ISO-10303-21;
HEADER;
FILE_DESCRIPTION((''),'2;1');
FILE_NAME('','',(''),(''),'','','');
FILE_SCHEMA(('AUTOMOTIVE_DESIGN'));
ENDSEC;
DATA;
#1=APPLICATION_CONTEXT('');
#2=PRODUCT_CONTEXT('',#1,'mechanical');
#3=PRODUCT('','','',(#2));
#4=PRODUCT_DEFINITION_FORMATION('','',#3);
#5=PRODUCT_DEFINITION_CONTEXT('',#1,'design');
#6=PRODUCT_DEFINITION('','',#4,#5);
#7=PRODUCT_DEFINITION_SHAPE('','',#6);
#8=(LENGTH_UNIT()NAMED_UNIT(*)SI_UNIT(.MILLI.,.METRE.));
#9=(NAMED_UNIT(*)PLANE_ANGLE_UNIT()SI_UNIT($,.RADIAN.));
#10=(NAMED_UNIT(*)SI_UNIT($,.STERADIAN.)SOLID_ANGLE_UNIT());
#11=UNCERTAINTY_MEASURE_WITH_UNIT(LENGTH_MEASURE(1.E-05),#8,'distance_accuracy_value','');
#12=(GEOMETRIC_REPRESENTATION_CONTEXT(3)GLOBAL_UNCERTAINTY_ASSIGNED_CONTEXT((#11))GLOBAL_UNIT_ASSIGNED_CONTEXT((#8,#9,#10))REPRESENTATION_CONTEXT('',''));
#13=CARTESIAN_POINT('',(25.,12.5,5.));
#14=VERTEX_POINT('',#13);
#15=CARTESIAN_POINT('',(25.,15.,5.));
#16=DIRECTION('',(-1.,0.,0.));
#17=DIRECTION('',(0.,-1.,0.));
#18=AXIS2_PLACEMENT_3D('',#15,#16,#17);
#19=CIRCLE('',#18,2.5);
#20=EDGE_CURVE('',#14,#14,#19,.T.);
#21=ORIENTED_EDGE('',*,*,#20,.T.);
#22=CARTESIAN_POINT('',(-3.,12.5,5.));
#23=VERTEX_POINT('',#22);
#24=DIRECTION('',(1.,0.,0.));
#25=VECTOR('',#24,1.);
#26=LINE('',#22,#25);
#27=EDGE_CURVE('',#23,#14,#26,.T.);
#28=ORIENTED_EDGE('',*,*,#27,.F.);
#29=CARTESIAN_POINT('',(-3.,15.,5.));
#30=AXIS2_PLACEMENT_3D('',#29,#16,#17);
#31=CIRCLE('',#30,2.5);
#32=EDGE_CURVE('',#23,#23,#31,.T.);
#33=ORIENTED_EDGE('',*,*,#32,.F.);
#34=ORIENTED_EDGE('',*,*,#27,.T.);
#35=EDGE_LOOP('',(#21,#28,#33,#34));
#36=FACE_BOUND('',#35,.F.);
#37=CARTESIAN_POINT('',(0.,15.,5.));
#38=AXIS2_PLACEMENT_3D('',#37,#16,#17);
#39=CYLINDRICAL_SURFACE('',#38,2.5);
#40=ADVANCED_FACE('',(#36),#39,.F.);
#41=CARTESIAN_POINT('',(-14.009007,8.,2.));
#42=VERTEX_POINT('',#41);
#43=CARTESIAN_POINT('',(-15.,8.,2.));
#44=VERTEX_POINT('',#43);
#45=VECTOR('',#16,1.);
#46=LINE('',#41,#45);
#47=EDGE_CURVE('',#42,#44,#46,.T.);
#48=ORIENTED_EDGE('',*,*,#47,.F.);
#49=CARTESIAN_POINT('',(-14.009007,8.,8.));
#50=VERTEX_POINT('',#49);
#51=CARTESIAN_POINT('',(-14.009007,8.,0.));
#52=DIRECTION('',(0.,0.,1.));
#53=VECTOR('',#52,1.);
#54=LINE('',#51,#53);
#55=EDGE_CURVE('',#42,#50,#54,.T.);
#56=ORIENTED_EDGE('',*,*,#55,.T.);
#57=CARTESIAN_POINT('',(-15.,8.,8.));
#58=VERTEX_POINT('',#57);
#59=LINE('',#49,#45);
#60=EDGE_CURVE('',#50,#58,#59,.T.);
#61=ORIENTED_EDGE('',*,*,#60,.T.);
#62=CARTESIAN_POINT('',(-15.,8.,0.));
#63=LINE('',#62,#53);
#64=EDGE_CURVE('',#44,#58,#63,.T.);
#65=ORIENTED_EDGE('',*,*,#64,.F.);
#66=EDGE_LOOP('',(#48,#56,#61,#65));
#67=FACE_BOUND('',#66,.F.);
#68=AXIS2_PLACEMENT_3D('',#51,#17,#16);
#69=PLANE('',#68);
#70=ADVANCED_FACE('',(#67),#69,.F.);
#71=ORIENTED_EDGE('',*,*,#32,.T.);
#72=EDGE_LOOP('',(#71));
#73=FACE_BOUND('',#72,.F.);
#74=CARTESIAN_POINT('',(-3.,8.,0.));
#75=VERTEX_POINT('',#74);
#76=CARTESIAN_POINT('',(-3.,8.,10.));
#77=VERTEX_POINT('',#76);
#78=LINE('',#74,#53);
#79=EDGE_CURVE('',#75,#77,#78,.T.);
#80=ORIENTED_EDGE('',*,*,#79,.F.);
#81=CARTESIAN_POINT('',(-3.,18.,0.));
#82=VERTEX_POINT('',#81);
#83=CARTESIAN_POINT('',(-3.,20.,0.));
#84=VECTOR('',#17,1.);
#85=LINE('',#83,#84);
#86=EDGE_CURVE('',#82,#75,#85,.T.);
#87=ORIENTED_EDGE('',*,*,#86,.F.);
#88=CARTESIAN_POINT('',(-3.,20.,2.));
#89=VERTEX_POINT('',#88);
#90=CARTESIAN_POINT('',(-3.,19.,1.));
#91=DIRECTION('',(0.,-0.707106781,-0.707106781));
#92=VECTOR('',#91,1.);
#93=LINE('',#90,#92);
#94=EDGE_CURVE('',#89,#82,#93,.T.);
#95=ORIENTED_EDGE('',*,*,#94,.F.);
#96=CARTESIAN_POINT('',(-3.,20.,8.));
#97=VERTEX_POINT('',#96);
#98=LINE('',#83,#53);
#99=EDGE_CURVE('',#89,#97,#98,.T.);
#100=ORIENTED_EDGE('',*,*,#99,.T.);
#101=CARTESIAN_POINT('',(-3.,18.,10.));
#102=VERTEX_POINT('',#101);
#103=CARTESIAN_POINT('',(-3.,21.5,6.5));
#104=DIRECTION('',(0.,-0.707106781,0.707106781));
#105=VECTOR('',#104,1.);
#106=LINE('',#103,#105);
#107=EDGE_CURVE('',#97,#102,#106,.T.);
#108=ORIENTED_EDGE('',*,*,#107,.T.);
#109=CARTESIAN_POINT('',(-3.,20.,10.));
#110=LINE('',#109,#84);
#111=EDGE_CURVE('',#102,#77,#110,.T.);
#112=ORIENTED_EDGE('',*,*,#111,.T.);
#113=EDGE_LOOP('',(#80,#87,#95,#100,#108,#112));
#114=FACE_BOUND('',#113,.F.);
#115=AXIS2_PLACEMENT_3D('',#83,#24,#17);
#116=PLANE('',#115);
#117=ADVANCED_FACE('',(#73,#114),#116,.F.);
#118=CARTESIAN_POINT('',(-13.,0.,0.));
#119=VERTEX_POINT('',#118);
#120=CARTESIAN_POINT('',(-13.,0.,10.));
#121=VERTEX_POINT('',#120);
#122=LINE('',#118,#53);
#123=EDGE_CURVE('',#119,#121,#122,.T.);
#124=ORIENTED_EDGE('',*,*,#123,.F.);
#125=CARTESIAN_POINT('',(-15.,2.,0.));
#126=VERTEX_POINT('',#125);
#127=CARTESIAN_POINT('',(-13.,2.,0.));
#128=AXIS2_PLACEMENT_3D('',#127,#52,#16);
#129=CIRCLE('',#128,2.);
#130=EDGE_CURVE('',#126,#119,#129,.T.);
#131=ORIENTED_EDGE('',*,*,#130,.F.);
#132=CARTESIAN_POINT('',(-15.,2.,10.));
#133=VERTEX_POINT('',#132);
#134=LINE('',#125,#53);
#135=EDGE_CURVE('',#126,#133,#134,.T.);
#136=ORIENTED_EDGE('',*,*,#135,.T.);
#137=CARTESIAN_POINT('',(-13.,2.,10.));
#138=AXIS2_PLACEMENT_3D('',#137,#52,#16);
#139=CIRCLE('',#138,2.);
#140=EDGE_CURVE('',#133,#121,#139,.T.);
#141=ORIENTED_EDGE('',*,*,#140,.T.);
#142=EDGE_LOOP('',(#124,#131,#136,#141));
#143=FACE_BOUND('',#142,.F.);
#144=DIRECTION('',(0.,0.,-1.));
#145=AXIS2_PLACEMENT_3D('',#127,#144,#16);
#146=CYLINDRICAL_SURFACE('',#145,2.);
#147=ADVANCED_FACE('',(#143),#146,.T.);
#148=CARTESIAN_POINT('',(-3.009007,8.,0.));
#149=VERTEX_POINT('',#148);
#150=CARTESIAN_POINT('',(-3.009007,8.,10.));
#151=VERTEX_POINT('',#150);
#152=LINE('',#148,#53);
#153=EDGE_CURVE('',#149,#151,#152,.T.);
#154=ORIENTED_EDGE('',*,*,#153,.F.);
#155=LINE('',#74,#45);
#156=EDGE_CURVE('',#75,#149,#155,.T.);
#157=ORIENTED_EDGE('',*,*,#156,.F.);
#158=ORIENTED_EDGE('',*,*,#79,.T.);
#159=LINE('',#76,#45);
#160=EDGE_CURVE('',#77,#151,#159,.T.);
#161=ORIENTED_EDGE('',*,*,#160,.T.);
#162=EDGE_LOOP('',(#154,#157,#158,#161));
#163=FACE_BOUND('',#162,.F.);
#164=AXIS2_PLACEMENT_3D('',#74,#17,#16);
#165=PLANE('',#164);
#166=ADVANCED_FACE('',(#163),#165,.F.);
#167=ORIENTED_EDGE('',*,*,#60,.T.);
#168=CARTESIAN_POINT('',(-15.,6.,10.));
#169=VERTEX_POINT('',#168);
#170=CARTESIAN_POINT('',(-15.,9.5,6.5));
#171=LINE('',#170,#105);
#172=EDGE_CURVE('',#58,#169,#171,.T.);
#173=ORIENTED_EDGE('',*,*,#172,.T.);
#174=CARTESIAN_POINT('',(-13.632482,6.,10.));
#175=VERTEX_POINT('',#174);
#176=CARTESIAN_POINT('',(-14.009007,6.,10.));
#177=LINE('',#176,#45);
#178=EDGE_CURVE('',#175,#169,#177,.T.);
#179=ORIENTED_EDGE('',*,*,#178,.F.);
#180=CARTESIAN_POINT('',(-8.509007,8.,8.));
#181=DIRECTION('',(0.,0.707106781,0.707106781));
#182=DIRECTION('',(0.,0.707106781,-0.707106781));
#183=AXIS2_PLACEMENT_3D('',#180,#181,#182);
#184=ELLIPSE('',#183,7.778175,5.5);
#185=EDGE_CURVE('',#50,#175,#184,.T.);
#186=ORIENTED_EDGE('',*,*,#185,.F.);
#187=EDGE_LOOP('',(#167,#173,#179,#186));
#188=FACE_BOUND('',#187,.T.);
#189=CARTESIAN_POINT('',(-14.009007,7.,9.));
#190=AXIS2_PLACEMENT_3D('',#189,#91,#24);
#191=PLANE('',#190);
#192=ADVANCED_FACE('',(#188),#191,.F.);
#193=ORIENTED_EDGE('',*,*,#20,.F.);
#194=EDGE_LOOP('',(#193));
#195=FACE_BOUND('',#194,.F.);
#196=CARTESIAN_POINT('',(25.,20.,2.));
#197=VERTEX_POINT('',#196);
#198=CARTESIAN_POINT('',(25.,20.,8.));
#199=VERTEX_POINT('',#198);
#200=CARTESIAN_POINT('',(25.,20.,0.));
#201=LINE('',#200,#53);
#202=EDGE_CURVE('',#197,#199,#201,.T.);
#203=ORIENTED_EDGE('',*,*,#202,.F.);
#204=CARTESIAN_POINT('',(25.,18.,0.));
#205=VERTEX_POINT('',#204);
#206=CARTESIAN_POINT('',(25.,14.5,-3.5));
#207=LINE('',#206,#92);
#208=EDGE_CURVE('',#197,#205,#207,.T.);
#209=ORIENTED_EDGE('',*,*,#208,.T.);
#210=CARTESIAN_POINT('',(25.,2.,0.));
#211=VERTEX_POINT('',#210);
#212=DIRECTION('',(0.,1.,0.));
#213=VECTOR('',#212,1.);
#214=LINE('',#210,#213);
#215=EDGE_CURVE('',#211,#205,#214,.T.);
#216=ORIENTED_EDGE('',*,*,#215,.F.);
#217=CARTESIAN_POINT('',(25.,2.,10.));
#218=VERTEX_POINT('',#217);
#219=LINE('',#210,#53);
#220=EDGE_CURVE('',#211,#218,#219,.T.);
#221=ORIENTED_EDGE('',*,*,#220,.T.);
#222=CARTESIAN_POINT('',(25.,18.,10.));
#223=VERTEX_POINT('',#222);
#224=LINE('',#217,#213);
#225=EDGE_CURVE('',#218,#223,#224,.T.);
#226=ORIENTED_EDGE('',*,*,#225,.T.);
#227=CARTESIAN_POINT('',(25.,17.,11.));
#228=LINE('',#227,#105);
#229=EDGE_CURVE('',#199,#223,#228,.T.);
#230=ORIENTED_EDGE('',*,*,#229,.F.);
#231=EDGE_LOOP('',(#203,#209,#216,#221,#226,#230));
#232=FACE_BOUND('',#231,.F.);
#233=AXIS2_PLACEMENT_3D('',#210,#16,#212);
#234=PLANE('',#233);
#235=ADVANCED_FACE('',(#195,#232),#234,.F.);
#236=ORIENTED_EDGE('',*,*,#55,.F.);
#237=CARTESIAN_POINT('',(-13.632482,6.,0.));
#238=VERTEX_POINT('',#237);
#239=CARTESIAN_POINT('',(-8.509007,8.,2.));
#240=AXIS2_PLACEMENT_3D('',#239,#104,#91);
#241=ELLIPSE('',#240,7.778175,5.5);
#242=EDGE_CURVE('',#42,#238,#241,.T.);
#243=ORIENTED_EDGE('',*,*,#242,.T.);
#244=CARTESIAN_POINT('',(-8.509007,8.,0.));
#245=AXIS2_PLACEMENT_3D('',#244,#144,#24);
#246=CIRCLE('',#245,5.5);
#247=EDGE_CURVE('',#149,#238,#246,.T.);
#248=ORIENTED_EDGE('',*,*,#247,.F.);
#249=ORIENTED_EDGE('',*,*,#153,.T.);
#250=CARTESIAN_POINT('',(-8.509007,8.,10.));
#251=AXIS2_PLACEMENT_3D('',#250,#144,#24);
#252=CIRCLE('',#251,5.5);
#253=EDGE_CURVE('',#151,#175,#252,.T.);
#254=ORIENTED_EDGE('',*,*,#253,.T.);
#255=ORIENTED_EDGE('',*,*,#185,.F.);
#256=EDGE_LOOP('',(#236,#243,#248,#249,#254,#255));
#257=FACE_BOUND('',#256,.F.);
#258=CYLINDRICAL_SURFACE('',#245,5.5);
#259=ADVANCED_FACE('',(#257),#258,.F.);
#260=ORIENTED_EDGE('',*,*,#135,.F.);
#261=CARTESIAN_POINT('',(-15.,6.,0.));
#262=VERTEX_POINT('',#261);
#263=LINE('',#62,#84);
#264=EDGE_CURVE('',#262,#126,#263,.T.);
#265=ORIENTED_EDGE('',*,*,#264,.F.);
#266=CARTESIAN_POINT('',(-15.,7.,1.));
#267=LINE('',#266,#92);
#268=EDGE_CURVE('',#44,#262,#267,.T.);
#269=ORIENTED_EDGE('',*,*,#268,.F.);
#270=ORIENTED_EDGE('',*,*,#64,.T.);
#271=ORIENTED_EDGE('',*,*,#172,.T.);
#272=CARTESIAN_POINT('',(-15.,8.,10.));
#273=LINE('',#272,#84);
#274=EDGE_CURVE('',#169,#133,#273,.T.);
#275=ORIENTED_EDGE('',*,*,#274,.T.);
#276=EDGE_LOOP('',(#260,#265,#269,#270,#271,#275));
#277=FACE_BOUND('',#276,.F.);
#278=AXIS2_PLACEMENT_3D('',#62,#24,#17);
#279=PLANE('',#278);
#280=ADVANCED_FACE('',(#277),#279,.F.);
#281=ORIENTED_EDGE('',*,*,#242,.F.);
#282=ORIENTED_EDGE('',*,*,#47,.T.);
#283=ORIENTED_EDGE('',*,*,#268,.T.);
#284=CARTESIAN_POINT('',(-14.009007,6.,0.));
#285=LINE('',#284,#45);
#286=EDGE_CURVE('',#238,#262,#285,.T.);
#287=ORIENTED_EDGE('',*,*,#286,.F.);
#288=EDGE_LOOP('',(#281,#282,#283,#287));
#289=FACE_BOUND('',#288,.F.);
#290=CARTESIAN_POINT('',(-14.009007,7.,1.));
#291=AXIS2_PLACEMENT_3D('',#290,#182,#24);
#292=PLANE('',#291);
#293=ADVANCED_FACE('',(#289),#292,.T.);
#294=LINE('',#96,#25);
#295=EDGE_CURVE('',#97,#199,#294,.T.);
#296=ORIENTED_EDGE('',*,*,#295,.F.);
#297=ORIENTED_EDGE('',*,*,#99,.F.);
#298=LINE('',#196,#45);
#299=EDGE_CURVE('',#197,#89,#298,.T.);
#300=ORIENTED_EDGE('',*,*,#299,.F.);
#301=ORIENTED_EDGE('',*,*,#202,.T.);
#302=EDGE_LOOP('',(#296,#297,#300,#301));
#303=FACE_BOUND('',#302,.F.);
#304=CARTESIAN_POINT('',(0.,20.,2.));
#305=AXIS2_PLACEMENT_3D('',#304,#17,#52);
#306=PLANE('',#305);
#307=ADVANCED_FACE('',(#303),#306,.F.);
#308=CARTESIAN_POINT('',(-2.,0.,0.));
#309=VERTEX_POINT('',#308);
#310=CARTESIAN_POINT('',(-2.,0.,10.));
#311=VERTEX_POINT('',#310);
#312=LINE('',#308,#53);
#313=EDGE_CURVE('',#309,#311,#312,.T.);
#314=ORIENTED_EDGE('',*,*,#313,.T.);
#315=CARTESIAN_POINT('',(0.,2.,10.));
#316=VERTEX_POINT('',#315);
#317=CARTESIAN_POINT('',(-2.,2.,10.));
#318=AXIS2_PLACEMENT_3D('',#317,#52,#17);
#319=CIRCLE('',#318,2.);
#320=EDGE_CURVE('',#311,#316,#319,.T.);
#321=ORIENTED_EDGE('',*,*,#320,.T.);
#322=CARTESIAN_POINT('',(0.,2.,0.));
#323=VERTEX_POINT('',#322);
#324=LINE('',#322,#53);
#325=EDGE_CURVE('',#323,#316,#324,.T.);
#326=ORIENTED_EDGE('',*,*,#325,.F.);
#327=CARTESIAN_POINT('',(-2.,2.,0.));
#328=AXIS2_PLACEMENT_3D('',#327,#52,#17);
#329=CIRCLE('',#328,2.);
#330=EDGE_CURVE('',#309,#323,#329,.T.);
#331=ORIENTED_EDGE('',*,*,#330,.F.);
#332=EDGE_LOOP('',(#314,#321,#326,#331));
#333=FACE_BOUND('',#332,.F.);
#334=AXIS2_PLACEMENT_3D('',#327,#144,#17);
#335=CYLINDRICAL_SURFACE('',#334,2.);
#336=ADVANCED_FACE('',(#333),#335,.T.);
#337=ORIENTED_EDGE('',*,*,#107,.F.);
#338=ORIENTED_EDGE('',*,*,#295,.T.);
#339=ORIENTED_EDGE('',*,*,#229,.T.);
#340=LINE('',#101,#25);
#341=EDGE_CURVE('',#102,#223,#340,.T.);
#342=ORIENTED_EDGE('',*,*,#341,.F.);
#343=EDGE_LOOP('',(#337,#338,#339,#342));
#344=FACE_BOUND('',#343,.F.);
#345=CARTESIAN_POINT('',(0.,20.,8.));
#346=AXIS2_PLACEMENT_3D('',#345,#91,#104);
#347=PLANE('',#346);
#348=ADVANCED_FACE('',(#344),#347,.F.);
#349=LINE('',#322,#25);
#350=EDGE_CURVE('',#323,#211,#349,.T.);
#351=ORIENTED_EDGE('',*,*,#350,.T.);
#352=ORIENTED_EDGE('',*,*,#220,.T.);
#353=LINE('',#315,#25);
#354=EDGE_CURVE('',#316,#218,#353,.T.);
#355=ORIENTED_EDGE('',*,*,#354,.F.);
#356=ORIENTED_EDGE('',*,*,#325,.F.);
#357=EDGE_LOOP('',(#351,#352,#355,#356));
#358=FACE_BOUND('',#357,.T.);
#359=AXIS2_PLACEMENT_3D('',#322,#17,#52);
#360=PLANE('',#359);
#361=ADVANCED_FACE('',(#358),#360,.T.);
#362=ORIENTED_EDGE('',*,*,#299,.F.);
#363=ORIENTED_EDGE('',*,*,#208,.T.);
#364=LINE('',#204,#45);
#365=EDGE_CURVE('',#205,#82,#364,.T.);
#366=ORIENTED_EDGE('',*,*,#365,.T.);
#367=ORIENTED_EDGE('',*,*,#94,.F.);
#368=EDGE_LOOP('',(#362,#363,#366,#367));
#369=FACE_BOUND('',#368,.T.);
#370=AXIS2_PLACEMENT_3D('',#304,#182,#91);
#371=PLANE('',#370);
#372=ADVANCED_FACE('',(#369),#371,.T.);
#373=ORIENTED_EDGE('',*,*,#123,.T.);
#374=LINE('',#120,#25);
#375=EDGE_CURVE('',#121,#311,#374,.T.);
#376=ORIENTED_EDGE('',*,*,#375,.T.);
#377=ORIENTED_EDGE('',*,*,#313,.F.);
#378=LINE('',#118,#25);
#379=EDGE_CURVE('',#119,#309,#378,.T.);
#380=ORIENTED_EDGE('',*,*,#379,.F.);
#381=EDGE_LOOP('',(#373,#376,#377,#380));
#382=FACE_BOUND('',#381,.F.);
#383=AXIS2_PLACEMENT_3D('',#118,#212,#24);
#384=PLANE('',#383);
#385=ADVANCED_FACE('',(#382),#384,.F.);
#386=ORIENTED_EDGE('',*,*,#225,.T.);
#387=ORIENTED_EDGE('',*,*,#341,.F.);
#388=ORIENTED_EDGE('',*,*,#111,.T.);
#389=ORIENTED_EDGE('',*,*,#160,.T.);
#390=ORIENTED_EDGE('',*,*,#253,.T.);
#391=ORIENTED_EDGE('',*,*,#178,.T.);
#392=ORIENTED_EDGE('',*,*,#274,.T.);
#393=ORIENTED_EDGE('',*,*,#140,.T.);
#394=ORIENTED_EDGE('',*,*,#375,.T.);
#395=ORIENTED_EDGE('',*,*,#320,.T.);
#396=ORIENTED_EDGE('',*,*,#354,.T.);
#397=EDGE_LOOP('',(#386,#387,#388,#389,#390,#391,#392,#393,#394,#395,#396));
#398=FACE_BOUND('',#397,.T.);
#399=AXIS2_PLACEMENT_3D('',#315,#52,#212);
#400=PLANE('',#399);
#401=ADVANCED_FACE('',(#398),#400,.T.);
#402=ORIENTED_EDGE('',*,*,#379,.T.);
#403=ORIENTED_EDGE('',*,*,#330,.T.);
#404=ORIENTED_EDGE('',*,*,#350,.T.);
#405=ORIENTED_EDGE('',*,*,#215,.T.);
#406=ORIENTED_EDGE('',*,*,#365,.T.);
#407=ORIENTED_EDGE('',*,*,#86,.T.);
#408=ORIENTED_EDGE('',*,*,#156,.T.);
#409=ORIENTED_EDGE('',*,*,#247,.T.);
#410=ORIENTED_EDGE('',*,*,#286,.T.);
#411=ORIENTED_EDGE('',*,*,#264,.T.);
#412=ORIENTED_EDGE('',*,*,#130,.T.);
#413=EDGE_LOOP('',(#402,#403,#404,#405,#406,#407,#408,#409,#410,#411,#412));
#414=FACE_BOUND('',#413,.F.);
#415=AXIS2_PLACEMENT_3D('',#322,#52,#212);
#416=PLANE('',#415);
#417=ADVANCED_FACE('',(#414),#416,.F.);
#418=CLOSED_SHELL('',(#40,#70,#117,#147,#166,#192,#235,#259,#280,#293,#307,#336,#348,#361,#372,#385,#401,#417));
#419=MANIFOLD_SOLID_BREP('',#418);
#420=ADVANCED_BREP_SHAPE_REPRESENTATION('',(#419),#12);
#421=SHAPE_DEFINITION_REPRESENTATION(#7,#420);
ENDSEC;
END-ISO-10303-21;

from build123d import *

# Parameters (mm, degrees)
F1_DEPTH = 10
F2_SIZE  = 2
F3_R     = 2.5
F4_DEPTH = 25
F5_DEPTH = 25


with BuildPart() as f1:
    # F0 (on Top) → F1 (new body)
    with BuildSketch(Plane.XY):
        with BuildLine():
            ThreePointArc((-2, 0), (-0.5857864376, 0.5857864376), (0, 2))
            Line((0, 2), (0, 20))
            Line((0, 20), (-3, 20))
            Line((-3, 20), (-3, 8))
            Line((-3, 8), (-3.0090067523, 8))
            ThreePointArc((-3.0090067523, 8), (-8.5090067523, 2.5), (-14.0090067523, 8))
            Line((-14.0090067523, 8), (-15, 8))
            Line((-15, 8), (-15, 2))
            ThreePointArc((-15, 2), (-14.4142135624, 0.5857864376), (-13, 0))
            Line((-13, 0), (-2, 0))
        make_face()
    extrude(amount=F1_DEPTH)

    # F2
    f2_edges = [f1.edges().sort_by_distance(p)[0] for p in [
        (-14.504503, 8, 10),
        (-14.504503, 8, 0),
        (-1.5, 20, 10),
        (-1.5, 20, 0),
    ]]
    chamfer(f2_edges, length=F2_SIZE)

    # F3 (on face) → F4 (cut)
    with BuildSketch(Plane(origin=(-3, 0, 0), x_dir=(0, -1, 0), z_dir=(-1, 0, 0))):
        with Locations((-15, 5)):
            Circle(F3_R)
    extrude(amount=-F4_DEPTH, mode=Mode.SUBTRACT)

    # F5 (add): a face of the model
    f5_faces = [f1.faces().sort_by_distance(p)[0] for p in [
        (0, 10.2845386319, 5),
    ]]
    extrude(f5_faces, amount=F5_DEPTH)


solid = f1.part
